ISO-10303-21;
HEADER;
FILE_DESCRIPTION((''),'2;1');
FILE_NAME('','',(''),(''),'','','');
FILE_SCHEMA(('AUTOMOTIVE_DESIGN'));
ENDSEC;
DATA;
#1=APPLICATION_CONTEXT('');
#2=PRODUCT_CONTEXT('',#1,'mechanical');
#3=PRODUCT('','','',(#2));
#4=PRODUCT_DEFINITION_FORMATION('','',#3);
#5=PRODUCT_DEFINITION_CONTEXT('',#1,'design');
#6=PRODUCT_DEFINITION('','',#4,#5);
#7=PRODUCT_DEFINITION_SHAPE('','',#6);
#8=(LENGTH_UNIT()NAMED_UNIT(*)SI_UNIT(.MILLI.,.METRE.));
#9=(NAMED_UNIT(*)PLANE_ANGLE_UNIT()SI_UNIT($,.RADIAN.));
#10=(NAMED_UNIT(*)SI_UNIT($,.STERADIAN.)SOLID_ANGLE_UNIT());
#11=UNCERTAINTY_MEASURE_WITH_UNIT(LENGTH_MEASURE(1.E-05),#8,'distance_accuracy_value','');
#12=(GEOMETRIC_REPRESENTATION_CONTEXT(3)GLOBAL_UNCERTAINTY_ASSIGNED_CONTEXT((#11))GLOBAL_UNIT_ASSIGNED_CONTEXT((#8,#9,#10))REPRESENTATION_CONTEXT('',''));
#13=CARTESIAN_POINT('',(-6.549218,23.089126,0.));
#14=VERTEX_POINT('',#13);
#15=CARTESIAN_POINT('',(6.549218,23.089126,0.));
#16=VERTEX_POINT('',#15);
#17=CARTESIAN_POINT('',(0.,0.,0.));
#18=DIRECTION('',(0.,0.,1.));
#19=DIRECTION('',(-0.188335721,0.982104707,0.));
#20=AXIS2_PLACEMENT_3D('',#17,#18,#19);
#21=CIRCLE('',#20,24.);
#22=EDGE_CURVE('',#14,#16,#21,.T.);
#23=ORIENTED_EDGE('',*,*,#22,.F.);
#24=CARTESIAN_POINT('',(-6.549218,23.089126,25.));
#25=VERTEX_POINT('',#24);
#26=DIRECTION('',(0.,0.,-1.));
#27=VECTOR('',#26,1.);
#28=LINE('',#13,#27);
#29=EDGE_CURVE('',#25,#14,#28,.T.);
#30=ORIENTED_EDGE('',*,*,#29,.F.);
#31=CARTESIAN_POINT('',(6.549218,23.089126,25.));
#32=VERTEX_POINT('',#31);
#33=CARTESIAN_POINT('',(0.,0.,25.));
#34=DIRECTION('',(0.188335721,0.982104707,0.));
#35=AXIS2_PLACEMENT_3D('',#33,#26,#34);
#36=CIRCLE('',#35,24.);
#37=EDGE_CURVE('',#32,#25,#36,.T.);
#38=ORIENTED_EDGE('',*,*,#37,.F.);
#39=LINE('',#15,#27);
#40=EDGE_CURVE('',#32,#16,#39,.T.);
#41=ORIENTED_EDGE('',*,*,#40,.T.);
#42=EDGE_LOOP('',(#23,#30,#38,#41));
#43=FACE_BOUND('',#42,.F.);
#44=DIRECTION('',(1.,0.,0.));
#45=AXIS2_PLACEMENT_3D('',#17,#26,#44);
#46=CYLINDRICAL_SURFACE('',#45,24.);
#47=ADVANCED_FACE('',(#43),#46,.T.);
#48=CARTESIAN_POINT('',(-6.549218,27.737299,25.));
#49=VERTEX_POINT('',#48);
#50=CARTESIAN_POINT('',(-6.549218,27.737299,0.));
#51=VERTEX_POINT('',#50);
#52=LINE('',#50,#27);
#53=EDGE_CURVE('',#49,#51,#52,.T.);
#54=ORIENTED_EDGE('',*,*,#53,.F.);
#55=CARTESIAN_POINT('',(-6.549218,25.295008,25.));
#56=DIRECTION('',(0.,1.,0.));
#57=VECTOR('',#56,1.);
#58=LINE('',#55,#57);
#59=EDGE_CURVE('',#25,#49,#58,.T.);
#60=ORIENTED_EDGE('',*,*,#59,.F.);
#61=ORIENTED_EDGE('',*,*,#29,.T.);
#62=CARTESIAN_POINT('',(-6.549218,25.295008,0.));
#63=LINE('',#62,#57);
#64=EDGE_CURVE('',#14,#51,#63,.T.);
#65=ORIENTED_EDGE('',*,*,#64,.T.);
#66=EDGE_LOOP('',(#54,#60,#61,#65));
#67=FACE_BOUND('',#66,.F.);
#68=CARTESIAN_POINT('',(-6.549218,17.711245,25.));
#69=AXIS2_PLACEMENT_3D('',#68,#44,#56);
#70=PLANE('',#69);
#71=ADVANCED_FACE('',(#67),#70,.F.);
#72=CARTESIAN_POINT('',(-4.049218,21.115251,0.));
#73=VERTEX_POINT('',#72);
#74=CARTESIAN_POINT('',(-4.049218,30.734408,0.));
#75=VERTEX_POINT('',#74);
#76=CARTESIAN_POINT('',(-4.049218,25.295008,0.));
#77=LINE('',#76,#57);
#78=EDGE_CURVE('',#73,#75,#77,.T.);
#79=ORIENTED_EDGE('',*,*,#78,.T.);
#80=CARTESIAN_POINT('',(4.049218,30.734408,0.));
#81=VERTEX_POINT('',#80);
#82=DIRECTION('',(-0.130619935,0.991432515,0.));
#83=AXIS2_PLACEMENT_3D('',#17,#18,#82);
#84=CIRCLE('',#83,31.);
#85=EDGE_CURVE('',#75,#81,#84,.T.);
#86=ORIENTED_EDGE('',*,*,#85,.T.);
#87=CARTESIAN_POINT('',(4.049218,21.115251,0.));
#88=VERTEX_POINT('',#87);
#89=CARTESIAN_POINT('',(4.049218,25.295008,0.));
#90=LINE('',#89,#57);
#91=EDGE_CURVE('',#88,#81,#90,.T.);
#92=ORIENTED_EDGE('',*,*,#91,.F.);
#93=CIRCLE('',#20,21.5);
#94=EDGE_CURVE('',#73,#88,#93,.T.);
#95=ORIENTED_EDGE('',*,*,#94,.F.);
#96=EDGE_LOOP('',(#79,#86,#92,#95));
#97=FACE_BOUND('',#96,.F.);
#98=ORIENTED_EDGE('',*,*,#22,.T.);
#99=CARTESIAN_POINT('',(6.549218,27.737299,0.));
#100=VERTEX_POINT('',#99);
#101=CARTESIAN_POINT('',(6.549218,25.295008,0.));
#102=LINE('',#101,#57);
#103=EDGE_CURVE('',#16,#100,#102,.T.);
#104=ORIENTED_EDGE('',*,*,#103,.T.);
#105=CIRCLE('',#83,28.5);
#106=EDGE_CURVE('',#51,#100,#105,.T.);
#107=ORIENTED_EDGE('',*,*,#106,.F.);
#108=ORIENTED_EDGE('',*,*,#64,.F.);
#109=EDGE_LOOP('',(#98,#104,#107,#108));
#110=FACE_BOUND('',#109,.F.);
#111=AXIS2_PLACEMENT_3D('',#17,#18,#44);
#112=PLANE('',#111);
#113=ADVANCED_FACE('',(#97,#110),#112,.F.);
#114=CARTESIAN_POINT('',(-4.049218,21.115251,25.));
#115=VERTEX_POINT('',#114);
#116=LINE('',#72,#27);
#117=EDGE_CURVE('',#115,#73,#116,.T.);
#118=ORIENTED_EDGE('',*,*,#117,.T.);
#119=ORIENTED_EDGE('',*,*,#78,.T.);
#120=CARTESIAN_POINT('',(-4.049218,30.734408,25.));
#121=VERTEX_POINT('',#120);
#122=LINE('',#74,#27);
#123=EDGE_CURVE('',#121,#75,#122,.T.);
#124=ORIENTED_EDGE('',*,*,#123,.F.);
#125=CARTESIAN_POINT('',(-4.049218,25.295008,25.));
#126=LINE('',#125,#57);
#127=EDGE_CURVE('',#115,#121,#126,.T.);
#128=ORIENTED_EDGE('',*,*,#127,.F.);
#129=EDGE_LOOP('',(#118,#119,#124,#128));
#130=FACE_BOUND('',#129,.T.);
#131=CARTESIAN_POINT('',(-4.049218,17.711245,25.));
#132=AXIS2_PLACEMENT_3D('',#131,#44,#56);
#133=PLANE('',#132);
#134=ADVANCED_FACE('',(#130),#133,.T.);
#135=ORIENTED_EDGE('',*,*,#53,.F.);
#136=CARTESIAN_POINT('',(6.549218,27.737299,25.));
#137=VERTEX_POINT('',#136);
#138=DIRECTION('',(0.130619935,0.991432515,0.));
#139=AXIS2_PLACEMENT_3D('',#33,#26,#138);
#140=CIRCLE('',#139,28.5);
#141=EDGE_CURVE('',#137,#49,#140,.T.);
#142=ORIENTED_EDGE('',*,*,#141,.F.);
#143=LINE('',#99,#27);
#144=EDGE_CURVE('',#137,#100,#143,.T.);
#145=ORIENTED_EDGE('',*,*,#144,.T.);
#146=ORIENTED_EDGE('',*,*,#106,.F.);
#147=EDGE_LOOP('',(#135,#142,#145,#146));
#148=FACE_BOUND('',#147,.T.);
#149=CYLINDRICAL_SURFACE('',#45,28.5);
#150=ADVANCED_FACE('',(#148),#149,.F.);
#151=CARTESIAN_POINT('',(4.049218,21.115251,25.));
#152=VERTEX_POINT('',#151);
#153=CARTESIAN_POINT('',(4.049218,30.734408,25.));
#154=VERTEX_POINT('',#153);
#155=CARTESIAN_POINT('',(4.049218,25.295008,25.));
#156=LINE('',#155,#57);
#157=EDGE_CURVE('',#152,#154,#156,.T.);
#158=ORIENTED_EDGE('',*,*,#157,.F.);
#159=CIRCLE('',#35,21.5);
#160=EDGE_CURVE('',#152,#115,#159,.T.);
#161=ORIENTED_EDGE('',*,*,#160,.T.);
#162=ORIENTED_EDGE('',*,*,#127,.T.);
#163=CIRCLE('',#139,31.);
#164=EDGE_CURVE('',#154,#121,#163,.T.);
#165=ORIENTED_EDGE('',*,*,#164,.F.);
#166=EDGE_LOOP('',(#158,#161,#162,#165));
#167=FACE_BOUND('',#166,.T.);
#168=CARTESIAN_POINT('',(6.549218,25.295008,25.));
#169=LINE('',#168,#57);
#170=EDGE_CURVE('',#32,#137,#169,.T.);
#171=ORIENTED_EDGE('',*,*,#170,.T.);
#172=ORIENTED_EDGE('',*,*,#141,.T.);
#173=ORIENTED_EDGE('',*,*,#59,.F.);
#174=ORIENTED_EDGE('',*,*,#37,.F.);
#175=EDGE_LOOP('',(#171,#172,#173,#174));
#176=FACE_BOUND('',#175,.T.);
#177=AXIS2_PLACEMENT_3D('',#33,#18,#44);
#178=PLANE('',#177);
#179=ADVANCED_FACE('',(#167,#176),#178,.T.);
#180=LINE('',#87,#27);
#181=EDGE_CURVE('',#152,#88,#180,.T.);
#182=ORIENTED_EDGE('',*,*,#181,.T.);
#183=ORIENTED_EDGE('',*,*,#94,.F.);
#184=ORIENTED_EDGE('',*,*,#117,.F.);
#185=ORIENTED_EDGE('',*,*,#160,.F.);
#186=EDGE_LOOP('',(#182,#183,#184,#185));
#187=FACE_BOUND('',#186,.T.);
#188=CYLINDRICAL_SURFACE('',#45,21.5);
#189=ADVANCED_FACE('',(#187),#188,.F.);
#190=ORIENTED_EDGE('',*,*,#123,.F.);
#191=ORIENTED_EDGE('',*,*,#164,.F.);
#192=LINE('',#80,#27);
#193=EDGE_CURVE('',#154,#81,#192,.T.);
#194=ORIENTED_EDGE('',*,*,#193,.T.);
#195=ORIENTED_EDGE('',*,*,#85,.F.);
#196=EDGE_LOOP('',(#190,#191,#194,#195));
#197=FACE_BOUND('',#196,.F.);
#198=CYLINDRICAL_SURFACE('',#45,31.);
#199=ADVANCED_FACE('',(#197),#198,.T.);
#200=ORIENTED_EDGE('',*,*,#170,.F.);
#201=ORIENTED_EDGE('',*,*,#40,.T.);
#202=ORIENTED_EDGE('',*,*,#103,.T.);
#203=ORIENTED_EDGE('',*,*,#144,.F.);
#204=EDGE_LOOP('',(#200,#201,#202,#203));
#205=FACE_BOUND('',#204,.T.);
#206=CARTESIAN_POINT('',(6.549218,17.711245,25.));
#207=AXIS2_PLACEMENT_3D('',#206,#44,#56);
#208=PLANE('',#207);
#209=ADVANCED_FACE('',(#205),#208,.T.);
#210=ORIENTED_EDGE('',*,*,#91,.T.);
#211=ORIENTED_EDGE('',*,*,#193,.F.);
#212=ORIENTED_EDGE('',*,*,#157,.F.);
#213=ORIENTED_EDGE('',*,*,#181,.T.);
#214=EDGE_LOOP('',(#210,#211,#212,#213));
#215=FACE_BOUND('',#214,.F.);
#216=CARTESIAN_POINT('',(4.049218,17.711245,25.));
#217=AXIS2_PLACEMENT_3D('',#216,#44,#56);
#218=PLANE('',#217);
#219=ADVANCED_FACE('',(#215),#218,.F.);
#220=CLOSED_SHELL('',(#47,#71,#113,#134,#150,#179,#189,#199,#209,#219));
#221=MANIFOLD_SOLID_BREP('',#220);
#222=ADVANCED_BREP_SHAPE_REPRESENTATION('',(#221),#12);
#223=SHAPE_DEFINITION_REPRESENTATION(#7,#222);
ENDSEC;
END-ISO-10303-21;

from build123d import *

# Parameters (mm, degrees)
F0_R     = 31
F0_R_2   = 21.5
F1_DEPTH = 25
F2_W     = 8.098436
F2_H     = 15.167526
F3_DEPTH = 25
F4_T     = -2.5


with BuildPart() as f1:
    # F0 (on Top) → F1 (new body)
    with BuildSketch(Plane.XY):
        Circle(F0_R)
        Circle(F0_R_2, mode=Mode.SUBTRACT)
    extrude(amount=F1_DEPTH)

    # F2 (on face) → F3 (cut)
    with BuildSketch(Plane.XY.offset(25)):
        with Locations((0, 25.295008)):
            Rectangle(F2_W, F2_H)
    extrude(amount=-F3_DEPTH, mode=Mode.SUBTRACT)

    # F4
    f4_openings = [f1.faces().sort_by_distance(p)[0] for p in [
        (0, -30.125064, 0),
        (-4.924154, 25.92483, 25),
    ]]
    offset(amount=F4_T, openings=f4_openings)


solid = f1.part
